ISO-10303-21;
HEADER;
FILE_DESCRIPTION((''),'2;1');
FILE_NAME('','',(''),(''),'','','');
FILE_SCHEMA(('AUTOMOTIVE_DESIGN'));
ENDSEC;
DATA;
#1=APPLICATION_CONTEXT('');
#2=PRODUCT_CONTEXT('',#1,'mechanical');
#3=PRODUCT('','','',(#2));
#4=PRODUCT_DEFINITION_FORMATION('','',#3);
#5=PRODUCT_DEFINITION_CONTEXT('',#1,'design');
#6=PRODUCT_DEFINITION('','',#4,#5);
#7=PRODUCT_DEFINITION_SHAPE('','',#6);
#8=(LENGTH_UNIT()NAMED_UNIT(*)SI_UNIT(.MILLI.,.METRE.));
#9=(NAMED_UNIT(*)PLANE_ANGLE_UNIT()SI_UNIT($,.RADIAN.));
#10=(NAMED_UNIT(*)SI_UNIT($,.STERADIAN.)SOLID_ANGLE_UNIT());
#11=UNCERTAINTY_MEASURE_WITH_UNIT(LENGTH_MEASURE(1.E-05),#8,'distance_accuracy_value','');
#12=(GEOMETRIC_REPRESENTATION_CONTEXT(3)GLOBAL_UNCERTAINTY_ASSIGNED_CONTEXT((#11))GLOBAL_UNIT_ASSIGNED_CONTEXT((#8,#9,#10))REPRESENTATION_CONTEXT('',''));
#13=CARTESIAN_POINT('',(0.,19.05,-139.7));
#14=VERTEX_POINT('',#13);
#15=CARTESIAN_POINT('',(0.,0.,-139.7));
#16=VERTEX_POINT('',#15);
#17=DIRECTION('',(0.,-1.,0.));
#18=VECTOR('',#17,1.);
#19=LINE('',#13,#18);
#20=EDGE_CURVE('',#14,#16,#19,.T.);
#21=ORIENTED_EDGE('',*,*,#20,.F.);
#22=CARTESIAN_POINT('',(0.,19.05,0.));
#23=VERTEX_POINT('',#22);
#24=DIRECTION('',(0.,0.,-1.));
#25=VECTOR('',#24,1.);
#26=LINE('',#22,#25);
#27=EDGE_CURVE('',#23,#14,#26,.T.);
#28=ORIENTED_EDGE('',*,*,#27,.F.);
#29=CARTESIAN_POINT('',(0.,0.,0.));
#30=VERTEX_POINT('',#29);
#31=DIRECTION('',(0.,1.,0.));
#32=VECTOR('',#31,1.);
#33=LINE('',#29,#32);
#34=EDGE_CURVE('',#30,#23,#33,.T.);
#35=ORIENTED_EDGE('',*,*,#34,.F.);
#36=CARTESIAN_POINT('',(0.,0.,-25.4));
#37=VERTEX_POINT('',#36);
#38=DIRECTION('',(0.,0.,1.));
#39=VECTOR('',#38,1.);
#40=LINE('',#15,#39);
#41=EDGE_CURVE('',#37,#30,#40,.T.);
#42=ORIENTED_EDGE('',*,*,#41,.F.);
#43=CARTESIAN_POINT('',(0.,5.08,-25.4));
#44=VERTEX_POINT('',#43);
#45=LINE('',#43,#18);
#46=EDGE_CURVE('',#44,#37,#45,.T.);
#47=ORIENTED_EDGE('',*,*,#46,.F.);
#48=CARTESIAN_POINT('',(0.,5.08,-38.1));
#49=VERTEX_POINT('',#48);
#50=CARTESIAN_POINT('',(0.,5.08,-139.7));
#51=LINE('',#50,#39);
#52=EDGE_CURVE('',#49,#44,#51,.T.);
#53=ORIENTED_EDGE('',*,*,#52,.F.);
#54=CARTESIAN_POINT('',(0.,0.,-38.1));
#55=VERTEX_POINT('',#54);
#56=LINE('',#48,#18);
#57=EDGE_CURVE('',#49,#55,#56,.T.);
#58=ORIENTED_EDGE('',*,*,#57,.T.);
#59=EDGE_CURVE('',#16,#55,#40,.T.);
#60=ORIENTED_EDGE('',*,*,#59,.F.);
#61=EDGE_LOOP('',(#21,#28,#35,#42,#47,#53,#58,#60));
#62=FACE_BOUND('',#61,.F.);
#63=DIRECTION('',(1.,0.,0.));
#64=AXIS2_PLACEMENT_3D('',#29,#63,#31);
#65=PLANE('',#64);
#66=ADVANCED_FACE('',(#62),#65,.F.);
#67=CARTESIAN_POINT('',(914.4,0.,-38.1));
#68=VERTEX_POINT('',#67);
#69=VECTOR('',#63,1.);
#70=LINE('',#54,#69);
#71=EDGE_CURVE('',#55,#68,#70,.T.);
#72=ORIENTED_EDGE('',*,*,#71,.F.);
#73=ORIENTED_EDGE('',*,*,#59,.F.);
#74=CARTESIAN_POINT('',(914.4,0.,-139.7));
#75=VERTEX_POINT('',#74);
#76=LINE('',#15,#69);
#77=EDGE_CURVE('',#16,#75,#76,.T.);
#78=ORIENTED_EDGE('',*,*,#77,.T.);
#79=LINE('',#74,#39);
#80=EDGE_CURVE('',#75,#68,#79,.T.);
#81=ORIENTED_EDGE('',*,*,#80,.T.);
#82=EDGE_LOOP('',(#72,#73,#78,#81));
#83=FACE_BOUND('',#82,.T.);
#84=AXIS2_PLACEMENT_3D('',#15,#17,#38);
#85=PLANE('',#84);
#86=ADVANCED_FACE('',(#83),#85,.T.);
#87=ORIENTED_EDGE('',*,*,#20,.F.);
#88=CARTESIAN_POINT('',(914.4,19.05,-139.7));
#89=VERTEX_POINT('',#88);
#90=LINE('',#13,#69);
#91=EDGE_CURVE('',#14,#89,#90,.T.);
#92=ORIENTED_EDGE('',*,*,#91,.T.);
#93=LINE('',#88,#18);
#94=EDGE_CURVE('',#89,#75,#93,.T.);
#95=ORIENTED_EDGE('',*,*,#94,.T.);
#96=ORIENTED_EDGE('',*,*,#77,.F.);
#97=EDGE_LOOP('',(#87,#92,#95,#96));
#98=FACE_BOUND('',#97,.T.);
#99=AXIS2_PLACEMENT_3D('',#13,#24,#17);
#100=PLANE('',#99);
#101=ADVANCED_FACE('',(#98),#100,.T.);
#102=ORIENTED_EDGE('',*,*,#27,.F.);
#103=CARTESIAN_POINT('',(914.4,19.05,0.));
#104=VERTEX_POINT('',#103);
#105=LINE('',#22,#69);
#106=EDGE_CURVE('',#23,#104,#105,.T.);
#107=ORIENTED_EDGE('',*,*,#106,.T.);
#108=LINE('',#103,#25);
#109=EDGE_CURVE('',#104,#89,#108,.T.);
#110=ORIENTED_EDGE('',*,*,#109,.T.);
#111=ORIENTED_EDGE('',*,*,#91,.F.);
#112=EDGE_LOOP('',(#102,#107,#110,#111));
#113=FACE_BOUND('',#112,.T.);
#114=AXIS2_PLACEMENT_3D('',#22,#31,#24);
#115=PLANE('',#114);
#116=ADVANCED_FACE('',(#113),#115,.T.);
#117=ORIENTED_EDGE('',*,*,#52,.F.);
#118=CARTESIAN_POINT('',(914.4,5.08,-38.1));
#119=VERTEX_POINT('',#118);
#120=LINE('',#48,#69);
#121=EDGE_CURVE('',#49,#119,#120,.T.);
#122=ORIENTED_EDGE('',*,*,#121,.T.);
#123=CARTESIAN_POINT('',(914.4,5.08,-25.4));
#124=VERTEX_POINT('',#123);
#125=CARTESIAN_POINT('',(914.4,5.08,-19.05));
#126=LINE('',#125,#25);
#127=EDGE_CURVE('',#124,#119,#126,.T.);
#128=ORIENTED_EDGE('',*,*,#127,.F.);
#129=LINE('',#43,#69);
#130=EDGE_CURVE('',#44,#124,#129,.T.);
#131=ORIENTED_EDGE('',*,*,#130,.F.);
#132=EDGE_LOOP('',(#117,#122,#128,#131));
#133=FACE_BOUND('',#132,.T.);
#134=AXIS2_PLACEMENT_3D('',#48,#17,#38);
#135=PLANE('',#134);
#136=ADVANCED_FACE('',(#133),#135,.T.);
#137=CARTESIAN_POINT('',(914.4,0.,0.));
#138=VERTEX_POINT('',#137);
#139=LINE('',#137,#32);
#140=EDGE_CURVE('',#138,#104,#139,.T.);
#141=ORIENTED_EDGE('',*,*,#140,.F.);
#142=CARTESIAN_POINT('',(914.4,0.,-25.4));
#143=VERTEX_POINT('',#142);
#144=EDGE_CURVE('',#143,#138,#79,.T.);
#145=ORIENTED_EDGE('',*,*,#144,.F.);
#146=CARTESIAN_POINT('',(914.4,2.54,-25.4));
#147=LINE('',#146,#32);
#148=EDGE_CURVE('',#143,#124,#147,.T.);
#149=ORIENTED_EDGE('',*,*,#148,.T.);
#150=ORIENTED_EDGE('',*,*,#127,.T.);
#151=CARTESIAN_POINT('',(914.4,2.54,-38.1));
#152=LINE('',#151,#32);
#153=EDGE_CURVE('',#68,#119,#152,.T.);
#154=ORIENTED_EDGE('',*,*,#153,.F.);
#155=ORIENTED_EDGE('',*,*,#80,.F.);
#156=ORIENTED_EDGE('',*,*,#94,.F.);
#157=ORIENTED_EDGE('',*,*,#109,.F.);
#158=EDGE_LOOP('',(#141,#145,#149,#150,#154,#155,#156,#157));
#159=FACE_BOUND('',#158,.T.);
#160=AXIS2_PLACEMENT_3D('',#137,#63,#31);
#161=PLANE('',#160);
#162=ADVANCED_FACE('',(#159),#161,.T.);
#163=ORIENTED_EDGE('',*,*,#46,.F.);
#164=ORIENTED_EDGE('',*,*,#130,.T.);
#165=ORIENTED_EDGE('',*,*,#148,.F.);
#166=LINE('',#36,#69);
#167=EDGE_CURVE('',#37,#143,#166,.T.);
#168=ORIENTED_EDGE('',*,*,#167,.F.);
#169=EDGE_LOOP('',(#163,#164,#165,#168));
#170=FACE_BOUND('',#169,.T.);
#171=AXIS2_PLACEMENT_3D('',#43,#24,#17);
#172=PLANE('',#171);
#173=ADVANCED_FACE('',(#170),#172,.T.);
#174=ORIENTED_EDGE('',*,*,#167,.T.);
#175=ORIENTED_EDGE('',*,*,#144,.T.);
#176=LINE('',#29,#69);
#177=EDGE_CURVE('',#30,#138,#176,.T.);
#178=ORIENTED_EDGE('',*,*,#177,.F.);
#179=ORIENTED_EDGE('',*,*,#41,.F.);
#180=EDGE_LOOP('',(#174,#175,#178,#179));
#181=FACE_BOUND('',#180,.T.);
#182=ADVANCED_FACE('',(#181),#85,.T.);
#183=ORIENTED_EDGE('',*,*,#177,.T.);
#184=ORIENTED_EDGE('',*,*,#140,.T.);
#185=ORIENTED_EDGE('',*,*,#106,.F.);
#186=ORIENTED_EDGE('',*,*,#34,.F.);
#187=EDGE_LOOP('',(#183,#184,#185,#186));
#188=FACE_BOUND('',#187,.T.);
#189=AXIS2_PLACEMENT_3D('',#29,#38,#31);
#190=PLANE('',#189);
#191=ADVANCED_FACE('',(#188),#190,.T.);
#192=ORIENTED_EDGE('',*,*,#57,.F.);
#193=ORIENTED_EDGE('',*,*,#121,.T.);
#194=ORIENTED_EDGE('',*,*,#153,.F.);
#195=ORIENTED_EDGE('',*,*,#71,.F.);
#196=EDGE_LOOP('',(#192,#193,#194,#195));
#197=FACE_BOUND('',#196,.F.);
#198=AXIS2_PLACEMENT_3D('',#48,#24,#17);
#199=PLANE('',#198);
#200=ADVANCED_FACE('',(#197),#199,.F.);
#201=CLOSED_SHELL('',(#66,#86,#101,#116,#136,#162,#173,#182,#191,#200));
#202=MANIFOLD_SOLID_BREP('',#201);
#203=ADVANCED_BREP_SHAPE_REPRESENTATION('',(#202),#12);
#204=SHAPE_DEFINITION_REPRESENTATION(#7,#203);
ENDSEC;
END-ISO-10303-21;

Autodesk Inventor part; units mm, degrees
ref_plane "YZ Plane" through (0, 0, 0) normal (1, 0, 0) x (0, 1, 0)
ref_plane "XZ Plane" through (0, 0, 0) normal (0, 1, 0) x (-1, 0, 0)
ref_plane "XY Plane" through (0, 0, 0) normal (0, 0, 1) x (1, 0, 0)
sketch "Sketch1" plane through (0, 0, 0) normal (1, 0, 0) x (0, 1, 0)
  line L0 (0, 0) -> (19.05, 0)
  line L1 (19.05, 0) -> (19.05, -139.7)
  line L2 (19.05, -139.7) -> (0, -139.7)
  line L3 (0, -139.7) -> (0, 0)
  dimension "d0" = 19.05
  dimension "d1" = 139.7
extrude "Extrusion1" add sketch "Sketch1" along normal blind 914.4
sketch "Sketch2" plane through (0, 0, 0) normal (-1, 0, 0) x (0, 0, 1)
  line L0 (0, 19.05) -> (0, 0) projected
  line L1 (0, 9.525) -> (-25.4, 9.525)
  line L2 (-25.4, 9.525) -> (-38.1, 9.525)
  line L3 (0, 0) -> (-139.7, 0) projected
  line L4 (-139.7, 5.08) -> (-5.08, 5.08)
  line L5 (-5.08, 5.08) -> (-5.08, 19.05)
  line L6 (-38.1, 5.08) -> (-38.1, 0)
  line L7 (0, 0) -> (-139.7, 0) projected
  line L8 (-25.4, 5.08) -> (-25.4, 0)
  dimension "d4" = 25.4
  dimension "d5" = 12.7
  dimension "d6" = 5.08
extrude "Extrusion2" cut sketch "Sketch2" against normal through all contours L3 L6 L4 L8
properties part number "big bourd"
